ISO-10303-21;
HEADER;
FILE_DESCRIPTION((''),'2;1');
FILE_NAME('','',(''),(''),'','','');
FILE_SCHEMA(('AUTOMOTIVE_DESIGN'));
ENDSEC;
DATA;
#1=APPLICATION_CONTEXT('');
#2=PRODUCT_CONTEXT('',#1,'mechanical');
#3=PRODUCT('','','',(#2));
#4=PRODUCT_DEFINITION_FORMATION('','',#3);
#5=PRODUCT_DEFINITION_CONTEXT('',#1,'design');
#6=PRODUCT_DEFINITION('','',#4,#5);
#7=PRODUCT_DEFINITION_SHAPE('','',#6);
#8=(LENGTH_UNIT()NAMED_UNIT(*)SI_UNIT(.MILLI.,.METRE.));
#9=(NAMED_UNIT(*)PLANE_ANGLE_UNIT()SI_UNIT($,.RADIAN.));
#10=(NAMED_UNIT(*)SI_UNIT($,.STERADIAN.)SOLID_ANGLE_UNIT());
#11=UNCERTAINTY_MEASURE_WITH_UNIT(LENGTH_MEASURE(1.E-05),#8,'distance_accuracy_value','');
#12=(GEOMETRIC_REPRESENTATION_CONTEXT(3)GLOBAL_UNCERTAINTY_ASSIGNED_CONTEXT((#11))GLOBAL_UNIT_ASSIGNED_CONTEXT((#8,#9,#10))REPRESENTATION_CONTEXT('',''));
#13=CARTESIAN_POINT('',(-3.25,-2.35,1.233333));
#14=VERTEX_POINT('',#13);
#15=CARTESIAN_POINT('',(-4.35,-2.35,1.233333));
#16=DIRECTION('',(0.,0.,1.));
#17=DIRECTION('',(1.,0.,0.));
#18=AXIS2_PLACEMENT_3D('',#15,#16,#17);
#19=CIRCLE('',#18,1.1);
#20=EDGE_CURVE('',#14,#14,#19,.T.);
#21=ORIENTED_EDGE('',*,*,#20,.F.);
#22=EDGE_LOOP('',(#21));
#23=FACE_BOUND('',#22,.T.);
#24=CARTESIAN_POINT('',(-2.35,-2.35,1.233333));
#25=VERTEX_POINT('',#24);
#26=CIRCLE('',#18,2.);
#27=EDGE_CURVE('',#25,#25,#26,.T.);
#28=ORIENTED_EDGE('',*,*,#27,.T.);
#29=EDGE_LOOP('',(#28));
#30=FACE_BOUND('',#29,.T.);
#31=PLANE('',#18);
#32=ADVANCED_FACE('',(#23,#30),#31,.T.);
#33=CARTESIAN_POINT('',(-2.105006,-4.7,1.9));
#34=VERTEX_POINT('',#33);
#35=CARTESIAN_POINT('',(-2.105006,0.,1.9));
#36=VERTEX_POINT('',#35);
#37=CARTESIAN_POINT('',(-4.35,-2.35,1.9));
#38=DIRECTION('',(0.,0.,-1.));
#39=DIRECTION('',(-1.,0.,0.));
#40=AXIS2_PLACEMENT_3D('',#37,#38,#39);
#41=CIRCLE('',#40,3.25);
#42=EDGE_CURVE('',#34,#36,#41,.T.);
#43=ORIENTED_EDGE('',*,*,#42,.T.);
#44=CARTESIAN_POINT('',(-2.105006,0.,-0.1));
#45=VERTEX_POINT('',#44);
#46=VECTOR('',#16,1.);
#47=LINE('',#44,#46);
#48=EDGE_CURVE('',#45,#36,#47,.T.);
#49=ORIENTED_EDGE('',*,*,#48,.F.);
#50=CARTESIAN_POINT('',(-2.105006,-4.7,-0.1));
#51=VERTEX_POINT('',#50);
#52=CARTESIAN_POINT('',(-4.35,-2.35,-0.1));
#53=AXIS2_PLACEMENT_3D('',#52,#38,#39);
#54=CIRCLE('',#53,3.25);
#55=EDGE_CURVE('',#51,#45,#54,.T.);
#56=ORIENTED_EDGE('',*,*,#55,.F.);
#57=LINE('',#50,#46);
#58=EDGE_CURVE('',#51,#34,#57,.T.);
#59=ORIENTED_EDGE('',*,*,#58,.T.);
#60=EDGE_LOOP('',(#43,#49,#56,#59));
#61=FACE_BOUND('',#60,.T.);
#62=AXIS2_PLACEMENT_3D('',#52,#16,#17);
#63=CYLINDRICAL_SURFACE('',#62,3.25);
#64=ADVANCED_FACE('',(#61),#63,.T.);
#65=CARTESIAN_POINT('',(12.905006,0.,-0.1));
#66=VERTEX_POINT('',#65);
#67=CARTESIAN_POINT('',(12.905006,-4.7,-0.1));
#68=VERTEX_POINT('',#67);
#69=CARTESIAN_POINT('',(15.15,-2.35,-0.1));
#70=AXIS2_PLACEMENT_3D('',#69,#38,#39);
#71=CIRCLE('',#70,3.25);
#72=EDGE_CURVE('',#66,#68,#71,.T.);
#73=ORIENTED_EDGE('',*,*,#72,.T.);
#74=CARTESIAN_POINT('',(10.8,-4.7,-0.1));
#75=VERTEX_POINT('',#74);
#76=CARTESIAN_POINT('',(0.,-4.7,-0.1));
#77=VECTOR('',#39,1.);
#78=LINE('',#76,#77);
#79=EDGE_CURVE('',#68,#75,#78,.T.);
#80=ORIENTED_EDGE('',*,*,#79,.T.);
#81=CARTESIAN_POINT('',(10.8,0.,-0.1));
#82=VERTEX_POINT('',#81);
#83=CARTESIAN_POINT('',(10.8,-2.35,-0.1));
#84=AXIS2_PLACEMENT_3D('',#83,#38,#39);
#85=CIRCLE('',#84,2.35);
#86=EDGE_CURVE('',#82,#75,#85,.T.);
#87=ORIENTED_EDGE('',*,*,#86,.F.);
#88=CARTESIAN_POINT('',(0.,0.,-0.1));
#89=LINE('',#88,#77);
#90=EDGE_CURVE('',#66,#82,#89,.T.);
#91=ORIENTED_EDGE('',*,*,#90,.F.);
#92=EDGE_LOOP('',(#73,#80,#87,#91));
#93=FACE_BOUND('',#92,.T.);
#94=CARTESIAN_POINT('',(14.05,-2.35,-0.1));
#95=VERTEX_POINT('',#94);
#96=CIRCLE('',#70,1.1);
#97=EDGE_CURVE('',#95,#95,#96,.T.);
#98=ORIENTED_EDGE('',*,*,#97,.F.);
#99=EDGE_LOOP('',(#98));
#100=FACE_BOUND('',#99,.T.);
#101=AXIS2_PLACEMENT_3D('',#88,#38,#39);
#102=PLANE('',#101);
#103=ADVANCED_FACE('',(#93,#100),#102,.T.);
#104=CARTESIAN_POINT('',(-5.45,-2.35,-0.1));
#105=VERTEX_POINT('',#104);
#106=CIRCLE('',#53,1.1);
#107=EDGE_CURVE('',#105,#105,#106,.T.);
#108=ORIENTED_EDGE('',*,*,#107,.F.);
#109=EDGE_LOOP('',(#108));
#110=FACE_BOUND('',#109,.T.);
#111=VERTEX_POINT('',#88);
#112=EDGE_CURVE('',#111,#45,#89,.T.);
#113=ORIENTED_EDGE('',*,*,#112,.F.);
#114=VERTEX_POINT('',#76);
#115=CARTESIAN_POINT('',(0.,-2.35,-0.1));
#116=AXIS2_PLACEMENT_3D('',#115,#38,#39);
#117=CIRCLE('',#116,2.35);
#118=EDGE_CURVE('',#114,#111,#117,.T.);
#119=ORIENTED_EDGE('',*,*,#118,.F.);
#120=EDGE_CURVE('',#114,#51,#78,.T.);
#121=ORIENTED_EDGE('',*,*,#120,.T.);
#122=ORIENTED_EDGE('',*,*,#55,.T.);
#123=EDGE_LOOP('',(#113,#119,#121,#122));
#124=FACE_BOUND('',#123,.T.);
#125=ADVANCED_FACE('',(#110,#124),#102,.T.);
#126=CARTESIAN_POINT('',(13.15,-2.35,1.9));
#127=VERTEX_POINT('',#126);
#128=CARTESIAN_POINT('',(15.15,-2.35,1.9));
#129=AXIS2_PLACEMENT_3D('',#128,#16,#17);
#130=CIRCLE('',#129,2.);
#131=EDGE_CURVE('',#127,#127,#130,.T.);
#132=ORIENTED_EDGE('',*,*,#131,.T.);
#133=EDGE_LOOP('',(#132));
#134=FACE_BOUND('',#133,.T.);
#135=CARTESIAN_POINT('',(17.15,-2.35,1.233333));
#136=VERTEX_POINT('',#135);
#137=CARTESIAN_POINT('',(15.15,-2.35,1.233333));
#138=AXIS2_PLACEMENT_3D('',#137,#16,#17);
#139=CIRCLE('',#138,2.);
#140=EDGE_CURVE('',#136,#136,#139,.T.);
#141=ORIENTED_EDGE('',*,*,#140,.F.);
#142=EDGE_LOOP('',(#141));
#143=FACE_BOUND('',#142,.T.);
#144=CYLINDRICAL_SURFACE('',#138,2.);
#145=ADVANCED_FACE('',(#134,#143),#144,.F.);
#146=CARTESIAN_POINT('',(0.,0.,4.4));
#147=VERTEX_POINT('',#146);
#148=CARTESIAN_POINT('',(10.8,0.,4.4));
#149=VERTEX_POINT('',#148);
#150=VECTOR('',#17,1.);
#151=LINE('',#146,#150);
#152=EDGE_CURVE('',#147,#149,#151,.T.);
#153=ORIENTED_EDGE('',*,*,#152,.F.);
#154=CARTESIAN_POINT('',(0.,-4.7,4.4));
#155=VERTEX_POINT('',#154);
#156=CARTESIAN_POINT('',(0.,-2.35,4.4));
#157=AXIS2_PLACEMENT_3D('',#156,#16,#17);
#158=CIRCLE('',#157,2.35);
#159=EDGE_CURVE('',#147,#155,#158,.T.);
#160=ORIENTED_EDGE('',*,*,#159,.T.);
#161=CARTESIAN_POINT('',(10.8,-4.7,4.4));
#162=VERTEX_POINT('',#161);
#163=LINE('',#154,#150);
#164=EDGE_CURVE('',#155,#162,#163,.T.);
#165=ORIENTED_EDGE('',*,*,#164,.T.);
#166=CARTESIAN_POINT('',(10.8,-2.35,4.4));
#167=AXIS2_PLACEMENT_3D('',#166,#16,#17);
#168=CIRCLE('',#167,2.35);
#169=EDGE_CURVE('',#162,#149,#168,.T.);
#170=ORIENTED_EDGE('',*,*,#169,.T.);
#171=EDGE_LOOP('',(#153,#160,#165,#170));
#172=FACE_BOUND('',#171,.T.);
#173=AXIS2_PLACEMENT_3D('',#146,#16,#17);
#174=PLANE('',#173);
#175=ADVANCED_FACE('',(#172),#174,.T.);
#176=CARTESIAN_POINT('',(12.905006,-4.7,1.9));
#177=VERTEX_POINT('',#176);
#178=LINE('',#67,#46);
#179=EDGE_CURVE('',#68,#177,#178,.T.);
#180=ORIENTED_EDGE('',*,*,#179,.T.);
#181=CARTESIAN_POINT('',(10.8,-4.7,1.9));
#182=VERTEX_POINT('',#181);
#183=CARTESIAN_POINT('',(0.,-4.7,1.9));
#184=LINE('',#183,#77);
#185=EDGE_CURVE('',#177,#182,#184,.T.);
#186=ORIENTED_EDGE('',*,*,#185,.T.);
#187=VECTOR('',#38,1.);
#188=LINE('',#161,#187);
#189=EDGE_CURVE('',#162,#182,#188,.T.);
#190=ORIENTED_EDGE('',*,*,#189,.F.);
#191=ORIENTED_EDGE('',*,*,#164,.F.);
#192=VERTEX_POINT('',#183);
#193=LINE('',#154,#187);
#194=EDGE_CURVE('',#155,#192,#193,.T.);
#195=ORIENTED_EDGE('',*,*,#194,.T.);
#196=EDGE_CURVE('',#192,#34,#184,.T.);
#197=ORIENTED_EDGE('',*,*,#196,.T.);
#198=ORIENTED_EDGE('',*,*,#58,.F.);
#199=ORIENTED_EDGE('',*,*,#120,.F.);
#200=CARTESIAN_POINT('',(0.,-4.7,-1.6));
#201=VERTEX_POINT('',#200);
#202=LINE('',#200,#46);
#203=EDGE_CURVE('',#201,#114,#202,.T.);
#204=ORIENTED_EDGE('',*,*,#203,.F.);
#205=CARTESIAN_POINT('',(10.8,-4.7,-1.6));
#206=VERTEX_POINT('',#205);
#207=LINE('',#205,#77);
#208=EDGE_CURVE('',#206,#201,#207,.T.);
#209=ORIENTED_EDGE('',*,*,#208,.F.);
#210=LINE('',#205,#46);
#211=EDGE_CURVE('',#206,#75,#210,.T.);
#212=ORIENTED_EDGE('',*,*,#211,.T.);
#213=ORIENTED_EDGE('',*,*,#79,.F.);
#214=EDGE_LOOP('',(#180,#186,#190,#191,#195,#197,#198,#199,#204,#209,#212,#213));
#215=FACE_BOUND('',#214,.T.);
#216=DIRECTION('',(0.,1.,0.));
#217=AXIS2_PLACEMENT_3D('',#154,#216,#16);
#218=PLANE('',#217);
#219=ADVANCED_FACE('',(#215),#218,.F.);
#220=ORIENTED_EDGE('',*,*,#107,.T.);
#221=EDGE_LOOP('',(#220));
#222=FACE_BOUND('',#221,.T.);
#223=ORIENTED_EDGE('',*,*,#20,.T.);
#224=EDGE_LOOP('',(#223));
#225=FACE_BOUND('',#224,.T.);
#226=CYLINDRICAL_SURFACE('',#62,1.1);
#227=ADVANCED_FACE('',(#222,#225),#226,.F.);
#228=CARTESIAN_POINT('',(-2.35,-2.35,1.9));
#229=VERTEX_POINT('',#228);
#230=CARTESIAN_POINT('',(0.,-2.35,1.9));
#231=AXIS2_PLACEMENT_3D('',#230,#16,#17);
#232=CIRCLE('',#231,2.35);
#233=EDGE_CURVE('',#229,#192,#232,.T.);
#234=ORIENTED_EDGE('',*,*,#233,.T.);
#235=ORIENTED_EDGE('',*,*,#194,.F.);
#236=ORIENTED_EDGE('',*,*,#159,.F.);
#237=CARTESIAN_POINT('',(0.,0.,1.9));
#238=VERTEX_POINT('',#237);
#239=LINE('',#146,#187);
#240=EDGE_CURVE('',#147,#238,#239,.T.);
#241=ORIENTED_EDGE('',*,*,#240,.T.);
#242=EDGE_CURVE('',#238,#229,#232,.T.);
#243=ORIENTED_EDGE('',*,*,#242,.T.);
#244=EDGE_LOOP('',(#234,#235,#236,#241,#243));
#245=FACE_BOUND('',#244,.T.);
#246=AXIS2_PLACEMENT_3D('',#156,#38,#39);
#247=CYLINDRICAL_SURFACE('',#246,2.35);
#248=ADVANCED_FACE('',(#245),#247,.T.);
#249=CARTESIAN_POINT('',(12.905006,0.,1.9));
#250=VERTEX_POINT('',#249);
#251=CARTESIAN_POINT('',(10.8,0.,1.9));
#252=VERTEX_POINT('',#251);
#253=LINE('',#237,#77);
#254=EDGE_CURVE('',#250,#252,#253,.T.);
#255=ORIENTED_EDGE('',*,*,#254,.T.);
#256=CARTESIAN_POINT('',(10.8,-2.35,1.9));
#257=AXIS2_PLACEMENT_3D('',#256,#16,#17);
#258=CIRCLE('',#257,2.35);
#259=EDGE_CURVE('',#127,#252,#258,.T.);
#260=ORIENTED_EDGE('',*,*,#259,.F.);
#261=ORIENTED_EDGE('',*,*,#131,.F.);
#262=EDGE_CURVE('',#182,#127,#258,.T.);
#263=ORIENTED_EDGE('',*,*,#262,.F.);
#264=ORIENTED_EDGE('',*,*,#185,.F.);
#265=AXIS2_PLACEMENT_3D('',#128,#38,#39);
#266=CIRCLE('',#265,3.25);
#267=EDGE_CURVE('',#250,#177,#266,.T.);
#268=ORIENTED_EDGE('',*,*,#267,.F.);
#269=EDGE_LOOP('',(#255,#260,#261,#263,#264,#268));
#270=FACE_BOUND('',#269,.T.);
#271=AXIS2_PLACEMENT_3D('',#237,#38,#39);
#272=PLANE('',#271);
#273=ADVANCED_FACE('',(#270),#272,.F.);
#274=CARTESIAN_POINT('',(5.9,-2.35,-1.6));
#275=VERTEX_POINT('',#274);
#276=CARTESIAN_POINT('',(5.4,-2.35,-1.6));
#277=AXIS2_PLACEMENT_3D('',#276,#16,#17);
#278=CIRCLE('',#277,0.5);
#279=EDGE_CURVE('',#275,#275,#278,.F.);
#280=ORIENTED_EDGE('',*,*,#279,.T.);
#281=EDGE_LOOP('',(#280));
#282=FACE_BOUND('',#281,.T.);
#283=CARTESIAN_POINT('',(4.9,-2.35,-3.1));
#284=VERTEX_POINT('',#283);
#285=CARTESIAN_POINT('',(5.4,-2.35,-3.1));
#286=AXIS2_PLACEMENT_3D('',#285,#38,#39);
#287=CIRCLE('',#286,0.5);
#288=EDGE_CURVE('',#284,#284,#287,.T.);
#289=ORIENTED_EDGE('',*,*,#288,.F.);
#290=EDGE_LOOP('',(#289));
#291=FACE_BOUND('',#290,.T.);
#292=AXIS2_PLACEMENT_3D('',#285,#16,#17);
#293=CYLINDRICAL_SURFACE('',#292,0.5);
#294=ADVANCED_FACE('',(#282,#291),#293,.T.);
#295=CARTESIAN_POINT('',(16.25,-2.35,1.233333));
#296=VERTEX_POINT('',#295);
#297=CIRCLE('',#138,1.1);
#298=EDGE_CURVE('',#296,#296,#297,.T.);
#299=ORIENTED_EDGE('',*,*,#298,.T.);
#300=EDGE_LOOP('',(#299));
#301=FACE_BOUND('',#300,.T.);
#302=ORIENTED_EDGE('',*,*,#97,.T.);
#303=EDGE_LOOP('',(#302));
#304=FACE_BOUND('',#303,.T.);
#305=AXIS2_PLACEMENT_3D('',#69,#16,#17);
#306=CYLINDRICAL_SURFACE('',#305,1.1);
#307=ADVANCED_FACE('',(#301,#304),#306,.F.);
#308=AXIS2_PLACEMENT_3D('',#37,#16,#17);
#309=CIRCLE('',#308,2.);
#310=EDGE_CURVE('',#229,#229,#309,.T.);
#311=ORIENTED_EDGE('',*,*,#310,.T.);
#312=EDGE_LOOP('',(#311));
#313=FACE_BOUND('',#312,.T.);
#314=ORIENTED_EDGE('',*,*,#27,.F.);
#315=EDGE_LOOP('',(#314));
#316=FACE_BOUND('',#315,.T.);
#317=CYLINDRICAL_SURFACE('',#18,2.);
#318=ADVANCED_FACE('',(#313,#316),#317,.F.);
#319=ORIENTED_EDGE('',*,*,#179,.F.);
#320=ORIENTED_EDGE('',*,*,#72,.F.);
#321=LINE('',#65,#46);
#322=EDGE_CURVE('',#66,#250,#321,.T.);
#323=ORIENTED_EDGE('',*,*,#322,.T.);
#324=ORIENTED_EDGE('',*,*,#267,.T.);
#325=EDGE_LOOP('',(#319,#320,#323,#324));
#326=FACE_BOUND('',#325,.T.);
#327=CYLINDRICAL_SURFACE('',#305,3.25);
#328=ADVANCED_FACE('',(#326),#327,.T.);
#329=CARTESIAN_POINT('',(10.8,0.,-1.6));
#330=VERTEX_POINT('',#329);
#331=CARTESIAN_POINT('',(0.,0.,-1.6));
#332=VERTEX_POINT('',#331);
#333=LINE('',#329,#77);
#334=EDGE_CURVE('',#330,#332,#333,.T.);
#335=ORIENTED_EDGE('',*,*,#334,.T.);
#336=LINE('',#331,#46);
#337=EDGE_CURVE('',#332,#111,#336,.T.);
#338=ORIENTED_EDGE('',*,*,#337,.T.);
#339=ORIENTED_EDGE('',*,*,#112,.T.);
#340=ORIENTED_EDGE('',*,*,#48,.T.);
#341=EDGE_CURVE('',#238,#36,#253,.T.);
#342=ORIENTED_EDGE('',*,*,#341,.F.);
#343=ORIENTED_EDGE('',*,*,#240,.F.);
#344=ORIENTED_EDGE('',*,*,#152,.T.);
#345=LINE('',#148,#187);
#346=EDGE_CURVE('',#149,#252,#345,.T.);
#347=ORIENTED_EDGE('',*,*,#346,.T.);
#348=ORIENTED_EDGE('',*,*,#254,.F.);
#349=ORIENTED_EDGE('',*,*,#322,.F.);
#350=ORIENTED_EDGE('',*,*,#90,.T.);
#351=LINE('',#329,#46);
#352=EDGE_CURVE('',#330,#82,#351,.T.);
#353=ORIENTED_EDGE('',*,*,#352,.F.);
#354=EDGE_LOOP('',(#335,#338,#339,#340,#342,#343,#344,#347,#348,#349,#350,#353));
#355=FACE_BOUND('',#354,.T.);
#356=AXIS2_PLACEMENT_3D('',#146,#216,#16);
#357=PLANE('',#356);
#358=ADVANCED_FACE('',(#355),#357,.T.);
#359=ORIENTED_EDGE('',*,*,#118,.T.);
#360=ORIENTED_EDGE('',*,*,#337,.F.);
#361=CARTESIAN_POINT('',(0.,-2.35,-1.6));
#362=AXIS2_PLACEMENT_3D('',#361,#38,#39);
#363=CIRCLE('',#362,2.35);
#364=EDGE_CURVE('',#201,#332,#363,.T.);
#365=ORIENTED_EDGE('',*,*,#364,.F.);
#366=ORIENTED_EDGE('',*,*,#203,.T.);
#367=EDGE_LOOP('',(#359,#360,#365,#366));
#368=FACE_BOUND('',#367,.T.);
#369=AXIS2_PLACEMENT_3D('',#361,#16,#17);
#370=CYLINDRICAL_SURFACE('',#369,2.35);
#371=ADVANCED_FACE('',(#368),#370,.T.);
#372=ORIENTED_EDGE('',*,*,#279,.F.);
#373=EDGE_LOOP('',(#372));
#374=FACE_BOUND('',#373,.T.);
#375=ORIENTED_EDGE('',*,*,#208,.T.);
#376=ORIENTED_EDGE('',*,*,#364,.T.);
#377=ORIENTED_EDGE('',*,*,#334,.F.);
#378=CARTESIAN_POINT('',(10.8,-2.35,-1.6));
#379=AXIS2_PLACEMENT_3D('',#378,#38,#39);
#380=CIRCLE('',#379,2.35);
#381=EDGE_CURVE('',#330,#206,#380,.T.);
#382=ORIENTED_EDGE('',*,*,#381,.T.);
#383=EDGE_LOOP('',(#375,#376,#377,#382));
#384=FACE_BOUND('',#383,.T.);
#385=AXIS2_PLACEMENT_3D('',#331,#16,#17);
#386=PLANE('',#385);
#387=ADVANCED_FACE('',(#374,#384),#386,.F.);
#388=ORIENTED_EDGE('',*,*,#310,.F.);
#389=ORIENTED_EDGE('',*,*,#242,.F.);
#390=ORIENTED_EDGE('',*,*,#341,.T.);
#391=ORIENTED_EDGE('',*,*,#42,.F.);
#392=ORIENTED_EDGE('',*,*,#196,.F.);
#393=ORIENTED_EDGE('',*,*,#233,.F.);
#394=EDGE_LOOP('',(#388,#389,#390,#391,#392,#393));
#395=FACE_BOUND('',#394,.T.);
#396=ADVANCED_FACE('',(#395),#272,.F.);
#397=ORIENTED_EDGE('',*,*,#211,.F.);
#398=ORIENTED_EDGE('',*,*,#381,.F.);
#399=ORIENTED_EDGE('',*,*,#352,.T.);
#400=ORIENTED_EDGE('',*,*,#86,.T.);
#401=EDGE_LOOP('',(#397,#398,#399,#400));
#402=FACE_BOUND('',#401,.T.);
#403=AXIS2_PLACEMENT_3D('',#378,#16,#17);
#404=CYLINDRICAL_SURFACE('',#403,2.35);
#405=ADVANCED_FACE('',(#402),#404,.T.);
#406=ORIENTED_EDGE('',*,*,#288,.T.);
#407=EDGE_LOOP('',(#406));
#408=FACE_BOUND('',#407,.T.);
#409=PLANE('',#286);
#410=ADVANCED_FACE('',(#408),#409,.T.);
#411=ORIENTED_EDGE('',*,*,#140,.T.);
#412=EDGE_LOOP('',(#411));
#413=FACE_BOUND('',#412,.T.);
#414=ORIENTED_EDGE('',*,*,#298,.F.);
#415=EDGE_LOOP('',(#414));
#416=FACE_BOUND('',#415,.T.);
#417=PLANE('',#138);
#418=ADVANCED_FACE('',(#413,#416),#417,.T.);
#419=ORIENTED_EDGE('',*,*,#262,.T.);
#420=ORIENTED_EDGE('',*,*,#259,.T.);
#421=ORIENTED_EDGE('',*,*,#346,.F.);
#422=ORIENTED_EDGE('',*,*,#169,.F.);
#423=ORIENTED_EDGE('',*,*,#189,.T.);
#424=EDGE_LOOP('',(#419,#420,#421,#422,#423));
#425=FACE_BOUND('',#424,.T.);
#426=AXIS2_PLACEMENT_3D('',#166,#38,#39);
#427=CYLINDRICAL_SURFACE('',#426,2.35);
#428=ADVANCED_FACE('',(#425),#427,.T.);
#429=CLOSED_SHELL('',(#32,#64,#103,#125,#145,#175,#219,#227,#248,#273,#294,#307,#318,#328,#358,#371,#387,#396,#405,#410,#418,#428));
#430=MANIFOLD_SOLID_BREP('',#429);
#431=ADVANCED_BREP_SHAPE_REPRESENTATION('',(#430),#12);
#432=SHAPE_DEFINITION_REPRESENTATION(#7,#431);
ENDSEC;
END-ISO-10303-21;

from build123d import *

# Parameters (mm, degrees)
EXTRUDE_4_DEPTH     = 2.5
SKETCH_5_R          = 1.1
EXTRUDE_5_DEPTH     = 2
SKETCH_6_R          = 2
CUT_EXTRUDE_1_DEPTH = 0.666666667
SKETCH_7_R          = 2.35
SKETCH_7_W          = 10.8
SKETCH_7_H          = 4.7
EXTRUDE_6_DEPTH     = 1.5
SKETCH_8_R          = 0.5
EXTRUDE_7_DEPTH     = 1.5


with BuildPart() as part:
    # Эскиз4 → Бобышка-Вытянуть4 (new body)
    with BuildSketch(Plane.XY.offset(1.9)):
        with BuildLine():
            ThreePointArc((0, 0), (-2.35, -2.35), (0, -4.7))
            Line((0, -4.7), (0, 0))
        make_face()
        with BuildLine():
            Line((0, 0), (0, -4.7))
            ThreePointArc((0, -4.7), (1.661700936, -4.011700936), (2.35, -2.35))
            ThreePointArc((2.35, -2.35), (1.661700936, -0.688299064), (0, 0))
        make_face()
        with BuildLine():
            ThreePointArc((2.35, -2.35), (1.661700936, -4.011700936), (0, -4.7))
            Line((0, -4.7), (10.8, -4.7))
            ThreePointArc((10.8, -4.7), (8.45, -2.35), (10.8, 0))
            Line((10.8, 0), (0, 0))
            ThreePointArc((0, 0), (1.661700936, -0.688299064), (2.35, -2.35))
        make_face()
        with BuildLine():
            ThreePointArc((10.8, 0), (8.45, -2.35), (10.8, -4.7))
            Line((10.8, -4.7), (10.8, 0))
        make_face()
        with BuildLine():
            Line((10.8, 0), (10.8, -4.7))
            ThreePointArc((10.8, -4.7), (12.461700936, -4.011700936), (13.15, -2.35))
            ThreePointArc((13.15, -2.35), (12.461700936, -0.688299064), (10.8, 0))
        make_face()
    extrude(amount=EXTRUDE_4_DEPTH)

    # Эскиз5 → Бобышка-Вытянуть5 (add)
    with BuildSketch(Plane(origin=(0, 0, 1.9), x_dir=(-1, 0, 0), z_dir=(0, 0, -1))):
        with BuildLine():
            ThreePointArc((-12.905005568, 0), (-18.4, -2.35), (-12.905005568, -4.7))
            Line((-12.905005568, -4.7), (2.105005568, -4.7))
            ThreePointArc((2.105005568, -4.7), (7.6, -2.35), (2.105005568, 0))
            Line((2.105005568, 0), (-12.905005568, 0))
        make_face()
        with Locations((-15.15, -2.35)):
            Circle(SKETCH_5_R, mode=Mode.SUBTRACT)
        with Locations((4.35, -2.35)):
            Circle(SKETCH_5_R, mode=Mode.SUBTRACT)
    extrude(amount=EXTRUDE_5_DEPTH)

    # Эскиз6 → Вырез-Вытянуть1 (cut)
    with BuildSketch(Plane.XY.offset(1.9)):
        with Locations((15.15, -2.35)):
            Circle(SKETCH_6_R)
        with Locations((-4.35, -2.35)):
            Circle(SKETCH_6_R)
    extrude(amount=-CUT_EXTRUDE_1_DEPTH, mode=Mode.SUBTRACT)

    # Эскиз7 → Бобышка-Вытянуть6 (add)
    with BuildSketch(Plane(origin=(0, 0, -0.1), x_dir=(-1, 0, 0), z_dir=(0, 0, -1))):
        with Locations((-10.8, -2.35)):
            Circle(SKETCH_7_R)
        with Locations((0, -2.35)):
            Circle(SKETCH_7_R)
        with Locations((-5.4, -2.35)):
            Rectangle(SKETCH_7_W, SKETCH_7_H)
    extrude(amount=EXTRUDE_6_DEPTH)

    # Эскиз8 → Бобышка-Вытянуть7 (add)
    with BuildSketch(Plane(origin=(0, 0, -1.6), x_dir=(-1, 0, 0), z_dir=(0, 0, -1))):
        with Locations((-5.4, -2.35)):
            Circle(SKETCH_8_R)
    extrude(amount=EXTRUDE_7_DEPTH)


solid = part.part
